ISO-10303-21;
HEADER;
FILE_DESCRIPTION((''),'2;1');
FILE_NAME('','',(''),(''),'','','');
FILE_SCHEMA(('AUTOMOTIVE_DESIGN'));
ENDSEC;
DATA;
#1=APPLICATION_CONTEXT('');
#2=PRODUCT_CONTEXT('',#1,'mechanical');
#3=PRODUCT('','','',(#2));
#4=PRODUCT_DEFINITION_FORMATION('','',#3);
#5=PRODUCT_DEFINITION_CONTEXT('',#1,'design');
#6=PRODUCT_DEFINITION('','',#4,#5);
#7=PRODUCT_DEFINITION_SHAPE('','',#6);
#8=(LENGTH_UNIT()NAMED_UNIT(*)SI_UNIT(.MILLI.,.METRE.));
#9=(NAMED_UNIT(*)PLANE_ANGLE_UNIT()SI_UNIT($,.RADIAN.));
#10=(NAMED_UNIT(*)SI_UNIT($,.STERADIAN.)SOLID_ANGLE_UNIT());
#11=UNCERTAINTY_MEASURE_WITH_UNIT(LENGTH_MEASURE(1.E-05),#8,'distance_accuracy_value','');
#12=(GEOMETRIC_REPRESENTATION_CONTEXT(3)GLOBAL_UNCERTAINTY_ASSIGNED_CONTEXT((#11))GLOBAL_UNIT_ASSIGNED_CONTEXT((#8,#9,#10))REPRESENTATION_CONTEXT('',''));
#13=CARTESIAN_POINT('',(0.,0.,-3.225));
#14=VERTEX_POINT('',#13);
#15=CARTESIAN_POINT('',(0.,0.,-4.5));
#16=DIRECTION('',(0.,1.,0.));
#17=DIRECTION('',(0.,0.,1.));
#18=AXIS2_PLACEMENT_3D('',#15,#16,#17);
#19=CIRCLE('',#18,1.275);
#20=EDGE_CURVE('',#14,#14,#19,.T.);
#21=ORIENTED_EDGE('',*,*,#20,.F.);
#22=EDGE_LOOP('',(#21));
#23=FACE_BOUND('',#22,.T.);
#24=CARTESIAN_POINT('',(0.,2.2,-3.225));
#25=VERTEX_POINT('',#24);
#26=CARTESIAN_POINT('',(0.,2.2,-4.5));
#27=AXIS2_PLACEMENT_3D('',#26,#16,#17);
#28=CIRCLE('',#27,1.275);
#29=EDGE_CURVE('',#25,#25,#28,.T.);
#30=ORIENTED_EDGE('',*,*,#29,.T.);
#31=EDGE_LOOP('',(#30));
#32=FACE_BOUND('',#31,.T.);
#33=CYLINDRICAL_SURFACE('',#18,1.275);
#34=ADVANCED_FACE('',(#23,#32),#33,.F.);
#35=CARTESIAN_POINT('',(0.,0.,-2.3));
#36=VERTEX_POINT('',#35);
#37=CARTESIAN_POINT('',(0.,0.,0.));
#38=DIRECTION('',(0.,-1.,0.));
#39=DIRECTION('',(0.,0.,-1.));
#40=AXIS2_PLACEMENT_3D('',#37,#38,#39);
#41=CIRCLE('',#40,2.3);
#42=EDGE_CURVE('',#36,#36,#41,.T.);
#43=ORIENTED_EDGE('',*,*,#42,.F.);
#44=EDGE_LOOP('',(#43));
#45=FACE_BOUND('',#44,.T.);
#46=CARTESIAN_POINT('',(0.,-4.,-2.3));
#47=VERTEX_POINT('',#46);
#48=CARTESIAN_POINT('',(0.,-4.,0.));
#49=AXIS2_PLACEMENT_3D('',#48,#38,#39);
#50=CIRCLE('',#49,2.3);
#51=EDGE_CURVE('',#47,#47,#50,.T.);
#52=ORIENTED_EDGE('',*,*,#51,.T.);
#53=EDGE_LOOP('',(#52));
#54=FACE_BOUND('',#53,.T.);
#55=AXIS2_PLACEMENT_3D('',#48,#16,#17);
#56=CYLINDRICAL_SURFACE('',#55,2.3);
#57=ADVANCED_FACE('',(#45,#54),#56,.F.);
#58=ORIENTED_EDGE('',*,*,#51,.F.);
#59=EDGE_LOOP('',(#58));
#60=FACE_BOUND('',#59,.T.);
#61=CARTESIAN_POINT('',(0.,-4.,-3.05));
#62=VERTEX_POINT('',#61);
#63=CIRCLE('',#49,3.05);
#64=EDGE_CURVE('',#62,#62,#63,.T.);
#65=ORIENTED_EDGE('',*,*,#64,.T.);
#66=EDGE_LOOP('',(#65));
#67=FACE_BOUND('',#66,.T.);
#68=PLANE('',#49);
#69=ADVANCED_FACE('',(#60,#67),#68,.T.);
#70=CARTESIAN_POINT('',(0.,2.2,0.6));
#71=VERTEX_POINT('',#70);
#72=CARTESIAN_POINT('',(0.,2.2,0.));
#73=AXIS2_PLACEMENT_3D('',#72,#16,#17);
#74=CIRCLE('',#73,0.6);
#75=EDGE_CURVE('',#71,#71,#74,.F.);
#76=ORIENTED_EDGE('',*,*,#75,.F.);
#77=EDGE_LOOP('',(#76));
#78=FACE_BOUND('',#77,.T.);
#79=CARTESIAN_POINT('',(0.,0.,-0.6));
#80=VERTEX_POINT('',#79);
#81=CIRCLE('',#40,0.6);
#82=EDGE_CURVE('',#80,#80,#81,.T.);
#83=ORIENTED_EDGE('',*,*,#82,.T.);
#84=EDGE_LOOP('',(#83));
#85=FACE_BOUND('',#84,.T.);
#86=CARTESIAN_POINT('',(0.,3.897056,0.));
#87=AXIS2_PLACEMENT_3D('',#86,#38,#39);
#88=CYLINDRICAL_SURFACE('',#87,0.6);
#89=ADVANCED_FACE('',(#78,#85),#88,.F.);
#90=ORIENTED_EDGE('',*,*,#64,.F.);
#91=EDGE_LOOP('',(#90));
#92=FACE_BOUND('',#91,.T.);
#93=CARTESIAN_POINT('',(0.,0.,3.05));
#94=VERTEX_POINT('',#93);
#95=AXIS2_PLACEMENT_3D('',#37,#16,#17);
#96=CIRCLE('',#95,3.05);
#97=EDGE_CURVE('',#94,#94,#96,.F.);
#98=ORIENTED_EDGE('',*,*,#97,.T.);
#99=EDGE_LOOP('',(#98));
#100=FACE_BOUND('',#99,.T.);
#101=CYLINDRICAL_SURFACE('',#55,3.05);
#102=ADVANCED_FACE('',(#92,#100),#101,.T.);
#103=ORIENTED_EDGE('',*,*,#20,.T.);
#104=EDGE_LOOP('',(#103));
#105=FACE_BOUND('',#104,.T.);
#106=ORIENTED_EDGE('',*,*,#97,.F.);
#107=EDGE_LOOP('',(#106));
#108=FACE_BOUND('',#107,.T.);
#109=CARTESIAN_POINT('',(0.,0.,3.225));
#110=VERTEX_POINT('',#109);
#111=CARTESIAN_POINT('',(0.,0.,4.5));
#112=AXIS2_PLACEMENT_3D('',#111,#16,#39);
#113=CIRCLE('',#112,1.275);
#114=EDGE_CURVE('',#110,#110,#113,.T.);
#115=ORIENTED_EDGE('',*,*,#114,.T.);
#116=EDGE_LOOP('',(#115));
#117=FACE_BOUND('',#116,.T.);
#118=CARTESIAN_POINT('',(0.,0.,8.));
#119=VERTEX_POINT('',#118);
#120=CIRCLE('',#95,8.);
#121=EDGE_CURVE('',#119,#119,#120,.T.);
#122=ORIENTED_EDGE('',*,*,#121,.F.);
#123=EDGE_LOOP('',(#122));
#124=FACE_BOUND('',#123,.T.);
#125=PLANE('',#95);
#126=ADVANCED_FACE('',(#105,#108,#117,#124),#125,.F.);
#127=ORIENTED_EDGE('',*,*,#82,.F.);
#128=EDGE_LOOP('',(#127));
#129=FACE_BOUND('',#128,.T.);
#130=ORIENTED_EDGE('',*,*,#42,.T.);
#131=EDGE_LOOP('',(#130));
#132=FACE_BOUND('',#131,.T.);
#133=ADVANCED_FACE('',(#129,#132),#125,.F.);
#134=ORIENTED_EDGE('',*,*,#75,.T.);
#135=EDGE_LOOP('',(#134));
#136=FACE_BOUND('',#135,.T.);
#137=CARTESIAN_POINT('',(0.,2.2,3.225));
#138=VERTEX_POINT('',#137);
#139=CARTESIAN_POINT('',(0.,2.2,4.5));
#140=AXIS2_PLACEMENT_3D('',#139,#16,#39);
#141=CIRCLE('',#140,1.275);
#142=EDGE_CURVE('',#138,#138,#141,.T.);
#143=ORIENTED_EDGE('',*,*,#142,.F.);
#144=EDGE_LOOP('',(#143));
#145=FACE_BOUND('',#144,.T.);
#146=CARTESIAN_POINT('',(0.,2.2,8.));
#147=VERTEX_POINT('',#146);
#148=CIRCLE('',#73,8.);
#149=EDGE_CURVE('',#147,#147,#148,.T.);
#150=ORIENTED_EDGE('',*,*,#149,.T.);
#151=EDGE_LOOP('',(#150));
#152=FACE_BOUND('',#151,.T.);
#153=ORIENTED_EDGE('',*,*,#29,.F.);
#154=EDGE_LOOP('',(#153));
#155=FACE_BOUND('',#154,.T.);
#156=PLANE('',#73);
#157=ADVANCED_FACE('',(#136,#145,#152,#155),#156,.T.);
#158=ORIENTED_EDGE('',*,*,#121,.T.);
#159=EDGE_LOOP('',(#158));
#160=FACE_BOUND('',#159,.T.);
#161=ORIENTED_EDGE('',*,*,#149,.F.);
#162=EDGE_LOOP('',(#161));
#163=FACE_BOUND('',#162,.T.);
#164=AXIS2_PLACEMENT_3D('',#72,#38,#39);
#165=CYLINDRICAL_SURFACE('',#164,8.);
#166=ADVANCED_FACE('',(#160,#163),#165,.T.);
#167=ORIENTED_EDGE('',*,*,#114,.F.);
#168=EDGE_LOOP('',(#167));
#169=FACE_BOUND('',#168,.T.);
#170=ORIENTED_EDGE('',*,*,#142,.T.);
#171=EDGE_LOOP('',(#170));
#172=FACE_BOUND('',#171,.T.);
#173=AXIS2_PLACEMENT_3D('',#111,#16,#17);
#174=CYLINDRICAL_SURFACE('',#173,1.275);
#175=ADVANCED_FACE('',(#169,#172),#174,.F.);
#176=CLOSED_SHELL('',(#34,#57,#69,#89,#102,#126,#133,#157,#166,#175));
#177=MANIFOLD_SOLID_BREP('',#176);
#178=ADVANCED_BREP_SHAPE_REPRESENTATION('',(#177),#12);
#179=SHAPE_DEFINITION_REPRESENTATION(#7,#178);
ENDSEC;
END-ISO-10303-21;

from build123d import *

# Parameters (mm, degrees)
SKETCH1_R           = 8
BOSS_EXTRUDE1_DEPTH = 2.2
SKETCH2_R           = 1.275
CUT_EXTRUDE1_DEPTH  = 2.2
SKETCH3_R           = 3.05
SKETCH3_R_2         = 2.3
BOSS_EXTRUDE2_DEPTH = 4
SKETCH8_R           = 0.6
CUT_EXTRUDE7_DEPTH  = 2.2


with BuildPart() as part:
    # Sketch1 → Boss-Extrude1 (new body)
    with BuildSketch(Plane(origin=(0, 0, 0), x_dir=(1, 0, 0), z_dir=(0, 1, 0))):
        with Locations(Location((0, 0, 0), (0, 0, 270))):
            Circle(SKETCH1_R)
    extrude(amount=BOSS_EXTRUDE1_DEPTH)

    # Sketch2 → Cut-Extrude1 (cut)
    with BuildSketch(Plane(origin=(0, 2.2, 0), x_dir=(1, 0, 0), z_dir=(0, 1, 0))):
        with Locations(Location((0, 4.5, 0), (0, 0, 270))):
            Circle(SKETCH2_R)
        with Locations(Location((0, -4.5, 0), (0, 0, 90))):
            Circle(SKETCH2_R)
    extrude(amount=-CUT_EXTRUDE1_DEPTH, mode=Mode.SUBTRACT)

    # Sketch3 → Boss-Extrude2 (add)
    with BuildSketch(Plane.XZ):
        with Locations(Location((0, 0, 0), (0, 0, 90))):
            Circle(SKETCH3_R)
        with Locations(Location((0, 0, 0), (0, 0, 270))):
            Circle(SKETCH3_R_2, mode=Mode.SUBTRACT)
    extrude(amount=BOSS_EXTRUDE2_DEPTH)

    # Sketch8 → Cut-Extrude7 (cut)
    with BuildSketch(Plane.XZ):
        with Locations(Location((0, 0, 0), (0, 0, 270))):
            Circle(SKETCH8_R)
    extrude(amount=-CUT_EXTRUDE7_DEPTH, mode=Mode.SUBTRACT)


solid = part.part
